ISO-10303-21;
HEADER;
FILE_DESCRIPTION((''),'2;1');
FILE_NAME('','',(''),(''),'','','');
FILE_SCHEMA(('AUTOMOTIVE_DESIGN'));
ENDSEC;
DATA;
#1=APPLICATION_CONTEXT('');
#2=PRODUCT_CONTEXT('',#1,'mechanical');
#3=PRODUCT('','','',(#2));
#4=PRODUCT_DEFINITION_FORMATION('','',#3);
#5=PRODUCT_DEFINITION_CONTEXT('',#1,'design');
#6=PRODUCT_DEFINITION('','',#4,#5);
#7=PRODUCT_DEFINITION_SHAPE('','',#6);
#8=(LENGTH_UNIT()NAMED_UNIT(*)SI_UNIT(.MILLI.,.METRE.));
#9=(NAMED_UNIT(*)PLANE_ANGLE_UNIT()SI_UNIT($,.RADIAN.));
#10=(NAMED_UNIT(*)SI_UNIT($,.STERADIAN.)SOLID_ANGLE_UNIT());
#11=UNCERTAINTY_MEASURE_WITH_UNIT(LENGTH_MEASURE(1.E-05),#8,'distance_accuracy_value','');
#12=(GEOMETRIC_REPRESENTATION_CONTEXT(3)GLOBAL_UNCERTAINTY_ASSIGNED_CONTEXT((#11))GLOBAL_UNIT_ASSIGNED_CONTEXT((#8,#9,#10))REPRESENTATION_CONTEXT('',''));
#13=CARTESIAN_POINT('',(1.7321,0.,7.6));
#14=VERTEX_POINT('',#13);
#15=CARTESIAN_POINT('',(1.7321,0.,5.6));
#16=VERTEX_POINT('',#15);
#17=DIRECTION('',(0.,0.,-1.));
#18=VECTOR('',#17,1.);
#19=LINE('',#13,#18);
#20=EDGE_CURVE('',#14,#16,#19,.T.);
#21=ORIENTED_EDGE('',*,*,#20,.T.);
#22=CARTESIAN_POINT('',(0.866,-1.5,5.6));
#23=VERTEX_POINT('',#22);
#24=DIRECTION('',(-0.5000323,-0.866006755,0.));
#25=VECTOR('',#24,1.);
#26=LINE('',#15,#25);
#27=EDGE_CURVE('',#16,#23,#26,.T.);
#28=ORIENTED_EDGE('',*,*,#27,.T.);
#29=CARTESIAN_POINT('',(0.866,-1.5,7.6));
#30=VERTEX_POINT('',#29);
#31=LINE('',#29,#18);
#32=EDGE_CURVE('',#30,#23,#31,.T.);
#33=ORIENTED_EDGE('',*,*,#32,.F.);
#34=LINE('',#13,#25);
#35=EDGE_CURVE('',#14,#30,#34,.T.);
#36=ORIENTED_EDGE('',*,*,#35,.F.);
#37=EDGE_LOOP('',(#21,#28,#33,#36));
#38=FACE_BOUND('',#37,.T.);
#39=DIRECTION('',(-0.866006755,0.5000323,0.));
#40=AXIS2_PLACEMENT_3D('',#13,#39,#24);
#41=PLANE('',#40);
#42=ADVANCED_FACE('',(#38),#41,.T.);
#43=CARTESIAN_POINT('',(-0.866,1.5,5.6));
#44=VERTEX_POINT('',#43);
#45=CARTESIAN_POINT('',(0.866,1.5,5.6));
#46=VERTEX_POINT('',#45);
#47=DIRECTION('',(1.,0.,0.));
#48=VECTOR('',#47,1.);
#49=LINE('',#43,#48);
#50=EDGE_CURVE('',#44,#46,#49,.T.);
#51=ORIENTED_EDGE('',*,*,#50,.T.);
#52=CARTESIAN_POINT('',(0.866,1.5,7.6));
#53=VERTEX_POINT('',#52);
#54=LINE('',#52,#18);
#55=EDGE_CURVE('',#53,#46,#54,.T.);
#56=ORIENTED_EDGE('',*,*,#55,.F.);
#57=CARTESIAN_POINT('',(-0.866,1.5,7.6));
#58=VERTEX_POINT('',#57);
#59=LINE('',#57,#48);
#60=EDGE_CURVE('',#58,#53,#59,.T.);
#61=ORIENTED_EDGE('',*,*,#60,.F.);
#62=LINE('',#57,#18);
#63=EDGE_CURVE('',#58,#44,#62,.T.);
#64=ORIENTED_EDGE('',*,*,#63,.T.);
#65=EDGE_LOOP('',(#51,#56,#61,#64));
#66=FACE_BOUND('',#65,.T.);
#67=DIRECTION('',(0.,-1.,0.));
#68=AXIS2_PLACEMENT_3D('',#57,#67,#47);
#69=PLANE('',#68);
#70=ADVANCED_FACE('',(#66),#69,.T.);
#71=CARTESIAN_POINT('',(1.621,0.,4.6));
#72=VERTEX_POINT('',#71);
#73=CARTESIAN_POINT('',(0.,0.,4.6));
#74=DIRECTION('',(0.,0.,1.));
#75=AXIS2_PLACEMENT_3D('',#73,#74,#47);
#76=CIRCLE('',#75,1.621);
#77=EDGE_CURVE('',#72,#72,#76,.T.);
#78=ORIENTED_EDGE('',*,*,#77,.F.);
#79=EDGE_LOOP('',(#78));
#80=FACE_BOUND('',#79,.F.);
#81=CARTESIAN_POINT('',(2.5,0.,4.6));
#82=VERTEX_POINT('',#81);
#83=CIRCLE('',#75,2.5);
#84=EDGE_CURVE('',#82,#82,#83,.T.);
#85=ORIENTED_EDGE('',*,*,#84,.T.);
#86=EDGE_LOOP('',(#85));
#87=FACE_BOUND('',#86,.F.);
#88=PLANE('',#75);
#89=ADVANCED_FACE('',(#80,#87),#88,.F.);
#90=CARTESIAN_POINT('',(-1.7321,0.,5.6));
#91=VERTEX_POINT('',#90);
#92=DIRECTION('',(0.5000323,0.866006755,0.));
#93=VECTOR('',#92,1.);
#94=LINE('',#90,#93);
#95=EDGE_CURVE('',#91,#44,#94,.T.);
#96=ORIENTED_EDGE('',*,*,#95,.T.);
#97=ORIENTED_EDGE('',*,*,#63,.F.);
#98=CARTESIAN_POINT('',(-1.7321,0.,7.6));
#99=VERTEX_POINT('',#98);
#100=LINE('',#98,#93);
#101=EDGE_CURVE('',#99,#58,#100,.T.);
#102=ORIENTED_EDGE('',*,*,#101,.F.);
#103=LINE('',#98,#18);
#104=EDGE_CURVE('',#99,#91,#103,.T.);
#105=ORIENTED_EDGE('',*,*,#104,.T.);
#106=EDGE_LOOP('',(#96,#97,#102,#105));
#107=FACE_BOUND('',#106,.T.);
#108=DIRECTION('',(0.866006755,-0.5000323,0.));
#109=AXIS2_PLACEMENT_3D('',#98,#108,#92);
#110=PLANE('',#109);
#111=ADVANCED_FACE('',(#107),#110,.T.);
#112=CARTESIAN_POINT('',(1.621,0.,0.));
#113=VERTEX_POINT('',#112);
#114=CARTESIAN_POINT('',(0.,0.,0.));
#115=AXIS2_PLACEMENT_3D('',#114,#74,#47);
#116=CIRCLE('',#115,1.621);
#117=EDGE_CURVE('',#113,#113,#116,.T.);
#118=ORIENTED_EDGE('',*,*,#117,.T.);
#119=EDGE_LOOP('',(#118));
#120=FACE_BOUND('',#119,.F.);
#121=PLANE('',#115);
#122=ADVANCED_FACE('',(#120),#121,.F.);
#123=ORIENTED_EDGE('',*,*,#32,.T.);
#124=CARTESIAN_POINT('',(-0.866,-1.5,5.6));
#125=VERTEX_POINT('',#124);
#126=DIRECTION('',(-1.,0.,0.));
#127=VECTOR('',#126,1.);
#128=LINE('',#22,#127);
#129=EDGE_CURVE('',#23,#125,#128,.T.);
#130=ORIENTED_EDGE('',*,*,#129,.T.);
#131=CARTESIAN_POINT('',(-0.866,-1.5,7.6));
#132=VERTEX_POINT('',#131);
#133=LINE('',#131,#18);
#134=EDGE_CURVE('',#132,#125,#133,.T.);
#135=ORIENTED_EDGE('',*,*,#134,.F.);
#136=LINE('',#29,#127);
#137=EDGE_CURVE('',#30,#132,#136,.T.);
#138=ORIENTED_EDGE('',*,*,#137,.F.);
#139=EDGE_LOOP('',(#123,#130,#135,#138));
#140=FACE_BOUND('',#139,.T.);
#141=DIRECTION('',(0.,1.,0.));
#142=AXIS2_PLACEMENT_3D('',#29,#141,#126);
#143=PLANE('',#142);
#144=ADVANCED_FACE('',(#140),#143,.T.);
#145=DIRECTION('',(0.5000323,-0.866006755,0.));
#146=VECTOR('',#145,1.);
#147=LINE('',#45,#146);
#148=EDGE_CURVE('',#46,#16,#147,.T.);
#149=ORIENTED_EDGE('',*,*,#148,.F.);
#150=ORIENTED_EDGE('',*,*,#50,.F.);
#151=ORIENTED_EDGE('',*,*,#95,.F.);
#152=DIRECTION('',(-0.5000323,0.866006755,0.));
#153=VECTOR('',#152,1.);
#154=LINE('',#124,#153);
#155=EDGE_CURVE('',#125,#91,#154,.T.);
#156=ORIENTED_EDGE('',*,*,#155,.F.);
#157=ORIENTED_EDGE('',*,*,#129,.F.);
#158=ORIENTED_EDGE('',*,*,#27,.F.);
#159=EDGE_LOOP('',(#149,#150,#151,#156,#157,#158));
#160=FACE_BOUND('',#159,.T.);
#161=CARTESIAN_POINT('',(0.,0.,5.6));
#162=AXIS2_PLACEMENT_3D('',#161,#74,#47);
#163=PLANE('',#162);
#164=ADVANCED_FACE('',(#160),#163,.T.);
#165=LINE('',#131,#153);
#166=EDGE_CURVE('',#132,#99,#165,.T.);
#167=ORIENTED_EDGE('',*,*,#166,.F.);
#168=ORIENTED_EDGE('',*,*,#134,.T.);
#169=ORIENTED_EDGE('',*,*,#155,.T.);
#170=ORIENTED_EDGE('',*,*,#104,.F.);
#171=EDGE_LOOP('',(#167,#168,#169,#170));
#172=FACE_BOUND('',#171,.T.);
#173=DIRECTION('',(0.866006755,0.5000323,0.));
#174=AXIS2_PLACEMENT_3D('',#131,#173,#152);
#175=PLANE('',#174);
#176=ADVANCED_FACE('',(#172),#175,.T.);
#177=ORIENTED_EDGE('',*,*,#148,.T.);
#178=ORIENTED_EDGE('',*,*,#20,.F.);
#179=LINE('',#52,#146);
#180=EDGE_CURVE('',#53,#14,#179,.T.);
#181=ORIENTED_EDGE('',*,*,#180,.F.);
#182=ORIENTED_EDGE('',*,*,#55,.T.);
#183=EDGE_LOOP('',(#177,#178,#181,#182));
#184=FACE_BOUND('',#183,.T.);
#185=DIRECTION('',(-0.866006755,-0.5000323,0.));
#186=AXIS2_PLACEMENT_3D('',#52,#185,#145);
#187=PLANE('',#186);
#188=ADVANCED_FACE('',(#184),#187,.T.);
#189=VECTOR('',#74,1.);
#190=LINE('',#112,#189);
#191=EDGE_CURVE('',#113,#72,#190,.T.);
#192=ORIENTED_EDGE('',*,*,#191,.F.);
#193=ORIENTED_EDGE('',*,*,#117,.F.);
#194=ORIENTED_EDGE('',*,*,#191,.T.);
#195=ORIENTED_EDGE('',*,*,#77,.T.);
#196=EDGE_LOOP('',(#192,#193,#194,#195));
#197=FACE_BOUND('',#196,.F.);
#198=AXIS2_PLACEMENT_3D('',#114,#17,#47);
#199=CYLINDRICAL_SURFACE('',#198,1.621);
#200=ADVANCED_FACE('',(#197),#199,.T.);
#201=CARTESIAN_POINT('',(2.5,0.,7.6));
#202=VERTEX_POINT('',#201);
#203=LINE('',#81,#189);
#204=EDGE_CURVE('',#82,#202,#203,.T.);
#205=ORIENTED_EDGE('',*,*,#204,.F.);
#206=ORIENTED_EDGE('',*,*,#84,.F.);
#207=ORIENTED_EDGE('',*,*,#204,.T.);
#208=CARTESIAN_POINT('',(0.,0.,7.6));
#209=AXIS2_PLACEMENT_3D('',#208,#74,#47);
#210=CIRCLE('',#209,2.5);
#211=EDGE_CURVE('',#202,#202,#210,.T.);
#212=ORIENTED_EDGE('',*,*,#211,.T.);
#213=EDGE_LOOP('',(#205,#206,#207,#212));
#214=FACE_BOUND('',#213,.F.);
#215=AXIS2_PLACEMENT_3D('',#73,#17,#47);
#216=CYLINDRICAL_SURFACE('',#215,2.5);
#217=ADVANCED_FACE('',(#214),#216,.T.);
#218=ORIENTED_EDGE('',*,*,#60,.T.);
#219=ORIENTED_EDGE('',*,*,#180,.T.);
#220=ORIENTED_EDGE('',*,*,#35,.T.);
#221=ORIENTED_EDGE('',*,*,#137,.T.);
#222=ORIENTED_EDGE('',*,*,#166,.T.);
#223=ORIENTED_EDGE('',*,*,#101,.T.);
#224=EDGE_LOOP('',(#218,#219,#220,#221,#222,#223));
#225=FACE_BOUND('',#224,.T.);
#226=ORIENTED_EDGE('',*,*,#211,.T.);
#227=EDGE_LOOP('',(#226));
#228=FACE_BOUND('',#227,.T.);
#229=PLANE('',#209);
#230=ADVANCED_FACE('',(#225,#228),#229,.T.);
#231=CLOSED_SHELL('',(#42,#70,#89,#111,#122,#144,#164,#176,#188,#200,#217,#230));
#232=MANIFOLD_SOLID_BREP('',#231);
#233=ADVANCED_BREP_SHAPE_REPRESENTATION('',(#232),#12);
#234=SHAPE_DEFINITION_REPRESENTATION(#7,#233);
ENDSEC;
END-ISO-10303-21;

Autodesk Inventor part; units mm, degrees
ref_plane "YZ Plane" through (0, 0, 0) normal (1, 0, 0) x (0, 1, 0)
ref_plane "XZ Plane" through (0, 0, 0) normal (0, 1, 0) x (-1, 0, 0)
ref_plane "XY Plane" through (0, 0, 0) normal (0, 0, 1) x (1, 0, 0)
sketch "Sketch1" plane through (0, 0, 0) normal (0, 0, 1) x (1, 0, 0)
  circle A0 centre (0, 0) radius 1.621
  dimension "d0" = 3.242
extrude "Extrusion1" add sketch "Sketch1" along normal blind 4.6
sketch "Sketch2" plane through (0, 0, 4.6) normal (0, 0, 1) x (1, 0, 0)
  circle A0 centre (0, 0) radius 2.5
  dimension "d3" = 5
extrude "Extrusion2" add sketch "Sketch2" along normal blind 3
sketch "Sketch3" plane through (0, 0, 7.6) normal (0, 0, 1) x (1, 0, 0)
  line L0 (0.866, 1.5) -> (1.7321, 0)
  line L1 (1.7321, 0) -> (0.866, -1.5)
  line L2 (0.866, -1.5) -> (-0.866, -1.5)
  line L3 (-0.866, -1.5) -> (-1.7321, 0)
  line L4 (-1.7321, 0) -> (-0.866, 1.5)
  line L5 (-0.866, 1.5) -> (0.866, 1.5)
  point P0 (0, 0)
  dimension "d14" = 3
extrude "Extrusion3" cut sketch "Sketch3" against normal blind 2
thread "Thread1" size "M4x0.7" class "6g" standard "ANSI Metric M Profile" full length
properties part number "M4 sujecion"
